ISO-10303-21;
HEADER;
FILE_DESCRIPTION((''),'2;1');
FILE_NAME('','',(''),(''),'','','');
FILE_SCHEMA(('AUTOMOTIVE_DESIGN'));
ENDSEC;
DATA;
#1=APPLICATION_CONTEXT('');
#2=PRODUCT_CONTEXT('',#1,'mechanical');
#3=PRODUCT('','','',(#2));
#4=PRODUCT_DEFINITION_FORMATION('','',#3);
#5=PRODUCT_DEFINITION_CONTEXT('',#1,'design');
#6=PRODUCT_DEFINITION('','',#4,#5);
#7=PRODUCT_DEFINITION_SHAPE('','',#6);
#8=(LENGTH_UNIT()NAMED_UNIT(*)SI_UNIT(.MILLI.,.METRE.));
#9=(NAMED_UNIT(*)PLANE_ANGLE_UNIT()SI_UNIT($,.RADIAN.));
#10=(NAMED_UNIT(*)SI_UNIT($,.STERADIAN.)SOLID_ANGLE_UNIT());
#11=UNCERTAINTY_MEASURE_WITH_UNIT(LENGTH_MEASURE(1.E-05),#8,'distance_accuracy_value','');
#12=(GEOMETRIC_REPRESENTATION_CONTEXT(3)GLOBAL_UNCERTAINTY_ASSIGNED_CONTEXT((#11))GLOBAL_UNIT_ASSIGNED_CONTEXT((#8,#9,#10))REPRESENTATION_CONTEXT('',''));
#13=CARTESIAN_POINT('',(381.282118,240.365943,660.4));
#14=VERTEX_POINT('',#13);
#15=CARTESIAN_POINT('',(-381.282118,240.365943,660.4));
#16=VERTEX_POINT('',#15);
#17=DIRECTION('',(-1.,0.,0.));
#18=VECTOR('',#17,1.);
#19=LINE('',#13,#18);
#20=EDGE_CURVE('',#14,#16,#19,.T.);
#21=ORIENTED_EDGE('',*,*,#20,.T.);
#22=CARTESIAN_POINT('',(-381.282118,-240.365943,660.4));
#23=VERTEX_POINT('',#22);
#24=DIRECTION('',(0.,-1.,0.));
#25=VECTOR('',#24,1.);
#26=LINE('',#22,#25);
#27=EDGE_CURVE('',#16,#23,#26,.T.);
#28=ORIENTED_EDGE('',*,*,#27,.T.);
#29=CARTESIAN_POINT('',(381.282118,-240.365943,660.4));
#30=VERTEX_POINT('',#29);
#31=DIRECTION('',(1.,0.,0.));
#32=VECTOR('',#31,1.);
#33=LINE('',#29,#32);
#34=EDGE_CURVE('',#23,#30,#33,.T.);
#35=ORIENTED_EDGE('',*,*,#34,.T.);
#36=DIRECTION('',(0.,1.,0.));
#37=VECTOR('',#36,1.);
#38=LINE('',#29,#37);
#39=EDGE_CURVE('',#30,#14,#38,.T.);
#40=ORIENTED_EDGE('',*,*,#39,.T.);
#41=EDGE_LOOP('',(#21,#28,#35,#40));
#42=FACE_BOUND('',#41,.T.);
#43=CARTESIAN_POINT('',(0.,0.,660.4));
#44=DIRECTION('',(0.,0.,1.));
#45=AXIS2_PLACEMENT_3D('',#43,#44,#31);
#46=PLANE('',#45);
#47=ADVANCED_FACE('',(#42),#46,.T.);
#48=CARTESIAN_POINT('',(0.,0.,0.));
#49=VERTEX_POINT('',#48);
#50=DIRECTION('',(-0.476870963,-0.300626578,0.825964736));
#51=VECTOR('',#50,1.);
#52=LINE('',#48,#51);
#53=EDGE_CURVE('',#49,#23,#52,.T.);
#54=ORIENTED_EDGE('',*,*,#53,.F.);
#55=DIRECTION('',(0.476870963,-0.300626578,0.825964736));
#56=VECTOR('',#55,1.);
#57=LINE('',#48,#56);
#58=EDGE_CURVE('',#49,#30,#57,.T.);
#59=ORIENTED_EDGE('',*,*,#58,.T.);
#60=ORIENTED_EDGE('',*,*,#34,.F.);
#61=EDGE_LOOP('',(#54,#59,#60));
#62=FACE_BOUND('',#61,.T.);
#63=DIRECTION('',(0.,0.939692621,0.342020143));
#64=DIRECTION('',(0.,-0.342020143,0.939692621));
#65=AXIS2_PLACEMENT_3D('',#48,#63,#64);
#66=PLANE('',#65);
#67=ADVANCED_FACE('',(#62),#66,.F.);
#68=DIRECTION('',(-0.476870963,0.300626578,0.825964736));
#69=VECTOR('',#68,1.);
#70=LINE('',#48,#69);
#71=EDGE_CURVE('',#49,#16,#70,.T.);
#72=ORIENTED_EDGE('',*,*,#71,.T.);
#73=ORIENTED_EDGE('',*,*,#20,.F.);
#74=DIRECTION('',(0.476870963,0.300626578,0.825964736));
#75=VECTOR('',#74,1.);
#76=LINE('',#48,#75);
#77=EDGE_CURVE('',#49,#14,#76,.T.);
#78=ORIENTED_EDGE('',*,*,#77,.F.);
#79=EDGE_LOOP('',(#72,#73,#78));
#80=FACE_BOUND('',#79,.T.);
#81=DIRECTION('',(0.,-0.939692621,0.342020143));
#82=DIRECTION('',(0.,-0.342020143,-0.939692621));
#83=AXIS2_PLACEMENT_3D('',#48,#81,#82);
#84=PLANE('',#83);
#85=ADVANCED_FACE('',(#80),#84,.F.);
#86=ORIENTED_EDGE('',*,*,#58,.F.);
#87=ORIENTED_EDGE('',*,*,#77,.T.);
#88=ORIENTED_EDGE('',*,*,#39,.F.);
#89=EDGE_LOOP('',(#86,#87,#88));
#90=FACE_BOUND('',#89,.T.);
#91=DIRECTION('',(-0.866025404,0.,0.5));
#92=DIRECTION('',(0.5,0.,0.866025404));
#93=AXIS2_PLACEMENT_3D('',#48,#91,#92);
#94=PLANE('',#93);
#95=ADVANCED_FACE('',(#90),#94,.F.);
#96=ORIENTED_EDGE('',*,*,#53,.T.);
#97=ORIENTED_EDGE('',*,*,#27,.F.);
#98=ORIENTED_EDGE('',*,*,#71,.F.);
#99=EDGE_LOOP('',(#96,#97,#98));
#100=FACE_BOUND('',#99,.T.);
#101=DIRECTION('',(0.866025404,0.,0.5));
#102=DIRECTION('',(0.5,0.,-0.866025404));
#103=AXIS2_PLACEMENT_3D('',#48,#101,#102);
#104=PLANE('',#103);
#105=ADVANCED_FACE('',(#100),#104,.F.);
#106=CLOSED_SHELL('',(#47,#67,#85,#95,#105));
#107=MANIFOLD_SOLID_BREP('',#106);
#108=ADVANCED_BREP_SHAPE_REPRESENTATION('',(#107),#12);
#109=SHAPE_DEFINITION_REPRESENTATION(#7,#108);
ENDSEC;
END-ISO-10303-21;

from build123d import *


with BuildPart() as part:
    # Sketch3 → Loft1 section 0
    with BuildSketch(Plane.XY.offset(660.4), mode=Mode.PRIVATE) as loft1_s0:
        with BuildLine():
            Line((381.282117773, -240.365942709), (-381.282117773, -240.365942709))
            Line((-381.282117773, -240.365942709), (-381.282117773, 240.365942709))
            Line((-381.282117773, 240.365942709), (381.282117773, 240.365942709))
            Line((381.282117773, 240.365942709), (381.282117773, -240.365942709))
        make_face()
    loft([Vertex(0, 0, 0), loft1_s0.sketch])


solid = part.part
